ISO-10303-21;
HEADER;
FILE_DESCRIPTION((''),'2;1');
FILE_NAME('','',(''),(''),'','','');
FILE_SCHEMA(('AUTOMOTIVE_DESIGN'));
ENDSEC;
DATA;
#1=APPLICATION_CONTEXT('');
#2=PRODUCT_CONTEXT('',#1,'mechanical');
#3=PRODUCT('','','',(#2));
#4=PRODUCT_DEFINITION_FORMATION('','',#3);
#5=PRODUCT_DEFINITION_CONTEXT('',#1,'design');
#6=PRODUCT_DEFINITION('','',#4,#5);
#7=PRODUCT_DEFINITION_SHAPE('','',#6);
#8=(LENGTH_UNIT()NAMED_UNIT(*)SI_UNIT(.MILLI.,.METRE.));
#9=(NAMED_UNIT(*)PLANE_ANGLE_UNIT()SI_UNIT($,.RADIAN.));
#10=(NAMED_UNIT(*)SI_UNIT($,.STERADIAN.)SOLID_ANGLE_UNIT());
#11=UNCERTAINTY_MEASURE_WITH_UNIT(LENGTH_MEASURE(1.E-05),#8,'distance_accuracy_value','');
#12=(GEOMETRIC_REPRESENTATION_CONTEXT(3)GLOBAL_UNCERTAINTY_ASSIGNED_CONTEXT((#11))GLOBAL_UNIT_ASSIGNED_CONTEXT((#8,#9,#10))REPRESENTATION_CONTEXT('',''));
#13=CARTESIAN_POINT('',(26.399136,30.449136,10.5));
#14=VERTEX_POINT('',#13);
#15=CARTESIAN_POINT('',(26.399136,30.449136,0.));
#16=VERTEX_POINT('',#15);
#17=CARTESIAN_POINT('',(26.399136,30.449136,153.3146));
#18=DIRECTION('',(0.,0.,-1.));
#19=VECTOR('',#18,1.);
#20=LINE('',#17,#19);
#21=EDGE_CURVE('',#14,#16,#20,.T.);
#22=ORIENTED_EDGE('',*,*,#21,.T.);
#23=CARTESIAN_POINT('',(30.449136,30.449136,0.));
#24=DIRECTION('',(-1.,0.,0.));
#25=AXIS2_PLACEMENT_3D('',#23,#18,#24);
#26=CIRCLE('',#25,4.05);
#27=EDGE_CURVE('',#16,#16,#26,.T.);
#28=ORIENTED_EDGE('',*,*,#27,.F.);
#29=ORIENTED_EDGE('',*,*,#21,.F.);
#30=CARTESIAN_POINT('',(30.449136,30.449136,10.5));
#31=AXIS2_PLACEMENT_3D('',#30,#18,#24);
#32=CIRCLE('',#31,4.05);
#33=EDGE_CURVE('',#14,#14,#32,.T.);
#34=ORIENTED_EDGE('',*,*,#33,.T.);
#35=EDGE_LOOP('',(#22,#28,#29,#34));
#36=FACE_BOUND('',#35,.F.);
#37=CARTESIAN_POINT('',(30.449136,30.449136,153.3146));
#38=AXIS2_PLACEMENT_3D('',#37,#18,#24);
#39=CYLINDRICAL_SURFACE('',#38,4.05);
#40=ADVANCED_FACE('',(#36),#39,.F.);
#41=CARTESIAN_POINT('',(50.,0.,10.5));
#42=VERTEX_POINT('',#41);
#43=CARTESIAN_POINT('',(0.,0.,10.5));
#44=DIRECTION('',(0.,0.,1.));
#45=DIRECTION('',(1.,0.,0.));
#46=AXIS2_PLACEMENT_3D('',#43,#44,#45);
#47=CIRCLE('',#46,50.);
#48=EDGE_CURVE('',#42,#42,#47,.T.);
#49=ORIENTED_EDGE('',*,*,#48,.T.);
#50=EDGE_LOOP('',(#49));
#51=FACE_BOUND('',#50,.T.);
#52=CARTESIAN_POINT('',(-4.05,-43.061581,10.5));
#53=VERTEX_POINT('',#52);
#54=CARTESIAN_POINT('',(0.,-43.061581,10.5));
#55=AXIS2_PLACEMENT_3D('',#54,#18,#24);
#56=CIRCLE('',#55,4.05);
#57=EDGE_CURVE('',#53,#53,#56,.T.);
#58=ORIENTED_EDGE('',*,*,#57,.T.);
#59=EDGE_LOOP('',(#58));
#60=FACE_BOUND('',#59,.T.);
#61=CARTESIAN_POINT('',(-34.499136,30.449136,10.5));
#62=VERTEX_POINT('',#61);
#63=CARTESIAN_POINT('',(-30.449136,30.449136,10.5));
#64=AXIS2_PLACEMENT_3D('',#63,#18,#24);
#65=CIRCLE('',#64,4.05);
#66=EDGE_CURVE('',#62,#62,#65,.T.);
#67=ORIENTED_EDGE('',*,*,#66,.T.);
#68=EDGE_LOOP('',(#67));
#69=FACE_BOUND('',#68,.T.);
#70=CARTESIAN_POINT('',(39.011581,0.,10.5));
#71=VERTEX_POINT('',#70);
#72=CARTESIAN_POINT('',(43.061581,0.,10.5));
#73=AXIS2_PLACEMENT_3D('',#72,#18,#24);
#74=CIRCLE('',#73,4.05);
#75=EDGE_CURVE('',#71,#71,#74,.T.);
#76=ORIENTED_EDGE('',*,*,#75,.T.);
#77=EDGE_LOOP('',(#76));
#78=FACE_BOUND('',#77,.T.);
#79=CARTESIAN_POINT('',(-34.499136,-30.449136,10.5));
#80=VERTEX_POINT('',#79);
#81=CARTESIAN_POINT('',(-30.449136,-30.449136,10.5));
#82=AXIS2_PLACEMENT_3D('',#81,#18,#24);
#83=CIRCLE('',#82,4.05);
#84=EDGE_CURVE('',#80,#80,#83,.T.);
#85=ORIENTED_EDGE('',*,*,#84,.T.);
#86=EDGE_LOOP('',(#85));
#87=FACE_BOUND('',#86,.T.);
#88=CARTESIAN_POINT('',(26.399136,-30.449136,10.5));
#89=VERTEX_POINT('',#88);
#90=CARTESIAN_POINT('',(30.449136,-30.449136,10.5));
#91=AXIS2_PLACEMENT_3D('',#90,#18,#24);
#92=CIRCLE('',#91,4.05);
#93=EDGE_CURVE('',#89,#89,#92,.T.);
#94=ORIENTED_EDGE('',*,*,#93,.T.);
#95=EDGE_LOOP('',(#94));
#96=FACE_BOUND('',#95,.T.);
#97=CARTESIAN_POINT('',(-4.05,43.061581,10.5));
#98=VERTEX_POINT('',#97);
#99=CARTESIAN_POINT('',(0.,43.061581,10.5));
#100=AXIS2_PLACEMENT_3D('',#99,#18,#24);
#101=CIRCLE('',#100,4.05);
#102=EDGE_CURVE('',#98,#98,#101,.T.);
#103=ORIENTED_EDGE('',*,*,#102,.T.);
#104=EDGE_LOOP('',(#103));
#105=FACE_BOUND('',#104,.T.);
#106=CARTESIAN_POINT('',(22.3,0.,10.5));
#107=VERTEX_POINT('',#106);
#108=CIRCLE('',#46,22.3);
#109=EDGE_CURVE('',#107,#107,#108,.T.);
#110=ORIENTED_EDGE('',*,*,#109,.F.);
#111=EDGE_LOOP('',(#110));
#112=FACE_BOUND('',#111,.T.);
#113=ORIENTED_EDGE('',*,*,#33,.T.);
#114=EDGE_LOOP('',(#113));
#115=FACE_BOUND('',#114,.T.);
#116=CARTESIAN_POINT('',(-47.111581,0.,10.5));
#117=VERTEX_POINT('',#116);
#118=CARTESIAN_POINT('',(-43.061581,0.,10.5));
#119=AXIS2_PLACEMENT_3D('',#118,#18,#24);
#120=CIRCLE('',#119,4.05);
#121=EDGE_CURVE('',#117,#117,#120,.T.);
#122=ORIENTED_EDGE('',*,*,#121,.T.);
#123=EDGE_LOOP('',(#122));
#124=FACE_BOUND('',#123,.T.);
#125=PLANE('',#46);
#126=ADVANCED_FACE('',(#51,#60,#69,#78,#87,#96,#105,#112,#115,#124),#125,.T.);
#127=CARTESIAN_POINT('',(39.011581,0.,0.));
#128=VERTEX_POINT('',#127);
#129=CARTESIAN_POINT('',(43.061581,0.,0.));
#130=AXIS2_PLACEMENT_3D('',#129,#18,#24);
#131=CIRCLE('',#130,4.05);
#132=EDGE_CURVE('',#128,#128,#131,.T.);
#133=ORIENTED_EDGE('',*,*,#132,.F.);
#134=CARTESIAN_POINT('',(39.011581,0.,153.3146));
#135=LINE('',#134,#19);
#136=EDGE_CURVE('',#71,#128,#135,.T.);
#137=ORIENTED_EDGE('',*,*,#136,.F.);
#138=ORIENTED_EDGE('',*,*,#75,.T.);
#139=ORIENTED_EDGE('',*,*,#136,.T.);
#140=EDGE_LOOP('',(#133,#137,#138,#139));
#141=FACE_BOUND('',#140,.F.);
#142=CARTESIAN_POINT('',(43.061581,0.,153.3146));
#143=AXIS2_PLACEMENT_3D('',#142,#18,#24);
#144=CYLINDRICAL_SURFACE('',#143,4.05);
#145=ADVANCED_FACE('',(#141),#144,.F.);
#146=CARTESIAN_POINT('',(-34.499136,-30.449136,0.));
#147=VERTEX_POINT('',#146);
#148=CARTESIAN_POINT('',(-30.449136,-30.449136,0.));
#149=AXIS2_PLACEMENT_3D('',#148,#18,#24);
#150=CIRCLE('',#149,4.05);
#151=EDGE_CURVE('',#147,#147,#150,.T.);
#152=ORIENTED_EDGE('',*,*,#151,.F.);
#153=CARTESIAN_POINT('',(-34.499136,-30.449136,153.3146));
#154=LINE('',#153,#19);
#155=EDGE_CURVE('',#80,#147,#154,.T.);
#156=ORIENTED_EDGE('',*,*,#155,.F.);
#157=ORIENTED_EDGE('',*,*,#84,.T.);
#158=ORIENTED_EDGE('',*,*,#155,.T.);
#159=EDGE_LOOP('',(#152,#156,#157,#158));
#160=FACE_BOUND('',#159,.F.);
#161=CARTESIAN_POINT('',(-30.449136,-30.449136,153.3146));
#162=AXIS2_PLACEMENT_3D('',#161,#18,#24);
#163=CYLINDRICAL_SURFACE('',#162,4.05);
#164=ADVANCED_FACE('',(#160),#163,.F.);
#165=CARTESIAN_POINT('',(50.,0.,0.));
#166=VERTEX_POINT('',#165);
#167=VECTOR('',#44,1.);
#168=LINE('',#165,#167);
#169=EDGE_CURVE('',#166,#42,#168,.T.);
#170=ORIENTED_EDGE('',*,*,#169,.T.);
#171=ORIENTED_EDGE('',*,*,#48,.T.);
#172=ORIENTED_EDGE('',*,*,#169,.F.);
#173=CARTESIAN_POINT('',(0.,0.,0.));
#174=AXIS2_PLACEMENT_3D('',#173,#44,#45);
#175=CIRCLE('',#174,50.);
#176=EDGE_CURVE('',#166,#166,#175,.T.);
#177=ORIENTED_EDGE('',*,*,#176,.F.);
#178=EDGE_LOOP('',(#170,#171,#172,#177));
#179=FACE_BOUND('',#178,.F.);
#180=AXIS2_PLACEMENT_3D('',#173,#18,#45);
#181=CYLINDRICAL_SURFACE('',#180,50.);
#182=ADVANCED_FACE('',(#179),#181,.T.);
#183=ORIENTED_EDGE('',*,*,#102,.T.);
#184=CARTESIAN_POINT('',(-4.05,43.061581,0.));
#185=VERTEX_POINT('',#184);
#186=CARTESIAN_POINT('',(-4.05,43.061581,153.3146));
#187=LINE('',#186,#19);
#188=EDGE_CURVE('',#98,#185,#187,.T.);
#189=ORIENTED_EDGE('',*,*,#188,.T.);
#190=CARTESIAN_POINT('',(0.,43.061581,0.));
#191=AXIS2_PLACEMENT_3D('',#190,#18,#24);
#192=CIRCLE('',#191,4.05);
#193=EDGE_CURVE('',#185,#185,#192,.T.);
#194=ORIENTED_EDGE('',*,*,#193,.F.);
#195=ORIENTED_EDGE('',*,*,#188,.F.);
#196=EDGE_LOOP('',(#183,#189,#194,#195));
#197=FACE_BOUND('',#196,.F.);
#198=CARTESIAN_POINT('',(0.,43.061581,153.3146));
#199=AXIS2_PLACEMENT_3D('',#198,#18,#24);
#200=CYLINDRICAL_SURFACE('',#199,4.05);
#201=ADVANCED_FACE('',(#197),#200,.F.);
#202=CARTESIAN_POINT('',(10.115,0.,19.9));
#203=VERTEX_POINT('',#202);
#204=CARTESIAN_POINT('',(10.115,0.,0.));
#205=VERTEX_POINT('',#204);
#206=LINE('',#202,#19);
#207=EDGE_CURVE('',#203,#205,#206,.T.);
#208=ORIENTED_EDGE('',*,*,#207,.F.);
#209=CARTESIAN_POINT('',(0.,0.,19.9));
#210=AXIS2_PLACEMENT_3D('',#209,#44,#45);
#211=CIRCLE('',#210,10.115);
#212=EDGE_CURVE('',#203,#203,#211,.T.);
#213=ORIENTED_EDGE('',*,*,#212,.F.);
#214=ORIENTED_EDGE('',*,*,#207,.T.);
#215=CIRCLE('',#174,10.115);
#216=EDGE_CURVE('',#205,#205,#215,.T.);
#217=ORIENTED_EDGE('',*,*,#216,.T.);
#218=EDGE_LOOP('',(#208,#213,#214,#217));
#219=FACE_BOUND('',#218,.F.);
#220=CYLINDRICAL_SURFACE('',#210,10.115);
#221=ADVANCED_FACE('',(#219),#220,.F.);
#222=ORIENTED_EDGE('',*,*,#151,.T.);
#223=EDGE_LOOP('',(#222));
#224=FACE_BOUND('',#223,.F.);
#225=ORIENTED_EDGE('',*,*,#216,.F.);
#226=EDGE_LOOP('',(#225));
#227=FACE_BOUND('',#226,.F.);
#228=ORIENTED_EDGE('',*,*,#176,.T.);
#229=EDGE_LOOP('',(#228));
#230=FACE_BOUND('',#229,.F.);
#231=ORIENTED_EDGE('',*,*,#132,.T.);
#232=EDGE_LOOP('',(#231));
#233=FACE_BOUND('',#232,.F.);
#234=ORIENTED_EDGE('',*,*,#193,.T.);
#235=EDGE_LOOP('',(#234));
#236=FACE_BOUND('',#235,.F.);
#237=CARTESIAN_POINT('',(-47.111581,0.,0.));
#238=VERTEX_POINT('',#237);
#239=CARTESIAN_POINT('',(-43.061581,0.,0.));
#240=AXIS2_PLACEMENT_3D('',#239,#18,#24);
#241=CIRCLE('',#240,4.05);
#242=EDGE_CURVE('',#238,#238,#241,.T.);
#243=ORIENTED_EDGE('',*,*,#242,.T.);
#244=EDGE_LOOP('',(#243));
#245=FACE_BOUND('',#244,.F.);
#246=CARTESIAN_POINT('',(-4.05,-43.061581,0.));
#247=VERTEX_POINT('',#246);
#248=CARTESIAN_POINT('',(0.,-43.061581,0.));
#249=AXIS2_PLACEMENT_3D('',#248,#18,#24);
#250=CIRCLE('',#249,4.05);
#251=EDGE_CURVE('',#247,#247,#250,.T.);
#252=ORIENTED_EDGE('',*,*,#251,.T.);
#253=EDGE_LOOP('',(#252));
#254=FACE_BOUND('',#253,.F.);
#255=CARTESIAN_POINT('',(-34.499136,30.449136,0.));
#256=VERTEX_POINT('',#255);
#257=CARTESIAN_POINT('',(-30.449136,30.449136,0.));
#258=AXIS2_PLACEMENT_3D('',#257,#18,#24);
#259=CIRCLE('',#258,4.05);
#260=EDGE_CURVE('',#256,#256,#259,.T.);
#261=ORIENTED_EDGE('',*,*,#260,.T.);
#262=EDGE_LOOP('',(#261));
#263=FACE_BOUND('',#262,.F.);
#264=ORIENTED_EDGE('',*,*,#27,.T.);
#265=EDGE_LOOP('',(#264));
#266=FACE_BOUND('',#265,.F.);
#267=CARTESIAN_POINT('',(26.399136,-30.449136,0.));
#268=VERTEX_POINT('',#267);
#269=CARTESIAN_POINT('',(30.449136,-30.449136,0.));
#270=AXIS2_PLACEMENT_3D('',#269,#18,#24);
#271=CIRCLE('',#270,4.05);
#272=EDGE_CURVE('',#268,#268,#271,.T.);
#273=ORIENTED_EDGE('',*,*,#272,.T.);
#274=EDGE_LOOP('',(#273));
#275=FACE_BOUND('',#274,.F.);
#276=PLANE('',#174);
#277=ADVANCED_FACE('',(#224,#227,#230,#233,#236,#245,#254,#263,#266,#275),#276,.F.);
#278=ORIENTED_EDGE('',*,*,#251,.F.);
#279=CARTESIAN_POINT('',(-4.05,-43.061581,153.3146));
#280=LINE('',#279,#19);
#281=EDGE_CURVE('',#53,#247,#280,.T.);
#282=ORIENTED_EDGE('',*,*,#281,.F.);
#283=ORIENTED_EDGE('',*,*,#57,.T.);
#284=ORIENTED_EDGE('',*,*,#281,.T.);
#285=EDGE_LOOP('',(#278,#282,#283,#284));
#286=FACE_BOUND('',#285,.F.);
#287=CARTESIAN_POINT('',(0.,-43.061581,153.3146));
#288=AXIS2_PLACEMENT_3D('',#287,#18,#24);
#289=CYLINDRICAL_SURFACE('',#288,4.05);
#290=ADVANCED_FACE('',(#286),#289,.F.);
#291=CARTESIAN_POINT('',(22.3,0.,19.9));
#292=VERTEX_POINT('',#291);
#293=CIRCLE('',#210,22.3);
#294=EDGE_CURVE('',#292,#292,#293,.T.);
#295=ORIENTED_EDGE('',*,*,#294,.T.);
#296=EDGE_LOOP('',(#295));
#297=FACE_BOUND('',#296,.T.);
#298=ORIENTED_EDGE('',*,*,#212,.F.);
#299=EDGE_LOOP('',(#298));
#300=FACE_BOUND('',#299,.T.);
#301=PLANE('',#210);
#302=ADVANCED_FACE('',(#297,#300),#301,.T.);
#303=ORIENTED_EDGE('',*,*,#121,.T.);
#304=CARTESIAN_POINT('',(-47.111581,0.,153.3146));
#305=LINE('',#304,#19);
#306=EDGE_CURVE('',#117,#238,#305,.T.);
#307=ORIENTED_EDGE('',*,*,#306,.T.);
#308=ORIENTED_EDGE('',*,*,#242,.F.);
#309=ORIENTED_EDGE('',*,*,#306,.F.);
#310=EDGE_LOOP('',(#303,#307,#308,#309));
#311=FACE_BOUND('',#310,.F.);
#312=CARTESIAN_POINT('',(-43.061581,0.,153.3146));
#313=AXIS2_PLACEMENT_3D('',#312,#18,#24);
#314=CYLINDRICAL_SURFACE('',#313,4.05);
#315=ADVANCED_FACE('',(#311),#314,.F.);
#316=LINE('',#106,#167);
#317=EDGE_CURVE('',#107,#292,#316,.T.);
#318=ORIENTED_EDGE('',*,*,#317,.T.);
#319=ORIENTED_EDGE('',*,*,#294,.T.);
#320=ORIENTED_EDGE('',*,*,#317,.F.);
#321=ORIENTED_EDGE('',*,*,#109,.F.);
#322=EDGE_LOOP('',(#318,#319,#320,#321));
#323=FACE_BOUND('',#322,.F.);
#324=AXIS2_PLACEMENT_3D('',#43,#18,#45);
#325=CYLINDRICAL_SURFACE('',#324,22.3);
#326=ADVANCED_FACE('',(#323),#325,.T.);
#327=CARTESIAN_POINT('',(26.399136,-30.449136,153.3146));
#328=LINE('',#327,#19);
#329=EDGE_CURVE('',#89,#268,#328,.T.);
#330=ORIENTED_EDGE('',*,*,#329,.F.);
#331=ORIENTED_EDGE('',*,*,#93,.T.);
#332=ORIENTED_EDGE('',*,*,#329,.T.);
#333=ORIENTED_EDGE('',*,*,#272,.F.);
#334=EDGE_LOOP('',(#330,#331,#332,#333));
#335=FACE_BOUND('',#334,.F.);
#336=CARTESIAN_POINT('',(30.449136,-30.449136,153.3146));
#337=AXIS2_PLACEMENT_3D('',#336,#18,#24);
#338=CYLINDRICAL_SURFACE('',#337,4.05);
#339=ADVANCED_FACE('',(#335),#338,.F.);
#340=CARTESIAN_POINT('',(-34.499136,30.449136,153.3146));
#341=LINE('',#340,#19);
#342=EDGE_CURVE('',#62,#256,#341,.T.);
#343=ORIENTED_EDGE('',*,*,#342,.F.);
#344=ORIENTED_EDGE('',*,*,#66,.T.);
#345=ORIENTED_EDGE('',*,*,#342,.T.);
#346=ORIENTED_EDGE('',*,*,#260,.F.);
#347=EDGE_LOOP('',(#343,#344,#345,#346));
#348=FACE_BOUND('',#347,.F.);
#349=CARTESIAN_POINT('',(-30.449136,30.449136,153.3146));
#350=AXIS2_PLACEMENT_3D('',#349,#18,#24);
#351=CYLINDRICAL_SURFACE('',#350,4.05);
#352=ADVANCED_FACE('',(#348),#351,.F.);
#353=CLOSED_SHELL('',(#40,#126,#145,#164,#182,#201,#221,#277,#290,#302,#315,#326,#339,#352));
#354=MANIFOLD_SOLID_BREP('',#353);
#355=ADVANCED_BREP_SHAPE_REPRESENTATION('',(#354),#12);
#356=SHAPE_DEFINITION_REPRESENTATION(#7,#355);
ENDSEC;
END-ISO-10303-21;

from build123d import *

# Parameters (mm, degrees)
F0_R     = 50
F1_DEPTH = 10.5
F2_R     = 22.3
F3_DEPTH = 9.4
F6_D     = 8.1
F7_R     = 10.115
F8_DEPTH = 25


with BuildPart() as f1:
    # F0 (on Top) → F1 (new body)
    with BuildSketch(Plane.XY):
        Circle(F0_R)
    extrude(amount=F1_DEPTH)

    # F2 (on face) → F3 (join)
    with BuildSketch(Plane.XY.offset(10.5)):
        Circle(F2_R)
    extrude(amount=F3_DEPTH)

    # F6 (through all)
    with Locations(Plane.XY.offset(10.5)):
        with Locations((0, 43.061581), (30.449136, 30.449136), (43.061581, 0), (30.449136, -30.449136), (0, -43.061581), (-30.449136, -30.449136), (-43.061581, 0), (-30.449136, 30.449136)):
            Hole(F6_D / 2)

    # F7 (on face) → F8 (cut)
    with BuildSketch(Plane.XY.offset(19.9)):
        Circle(F7_R)
    extrude(amount=-F8_DEPTH, mode=Mode.SUBTRACT)


solid = f1.part
